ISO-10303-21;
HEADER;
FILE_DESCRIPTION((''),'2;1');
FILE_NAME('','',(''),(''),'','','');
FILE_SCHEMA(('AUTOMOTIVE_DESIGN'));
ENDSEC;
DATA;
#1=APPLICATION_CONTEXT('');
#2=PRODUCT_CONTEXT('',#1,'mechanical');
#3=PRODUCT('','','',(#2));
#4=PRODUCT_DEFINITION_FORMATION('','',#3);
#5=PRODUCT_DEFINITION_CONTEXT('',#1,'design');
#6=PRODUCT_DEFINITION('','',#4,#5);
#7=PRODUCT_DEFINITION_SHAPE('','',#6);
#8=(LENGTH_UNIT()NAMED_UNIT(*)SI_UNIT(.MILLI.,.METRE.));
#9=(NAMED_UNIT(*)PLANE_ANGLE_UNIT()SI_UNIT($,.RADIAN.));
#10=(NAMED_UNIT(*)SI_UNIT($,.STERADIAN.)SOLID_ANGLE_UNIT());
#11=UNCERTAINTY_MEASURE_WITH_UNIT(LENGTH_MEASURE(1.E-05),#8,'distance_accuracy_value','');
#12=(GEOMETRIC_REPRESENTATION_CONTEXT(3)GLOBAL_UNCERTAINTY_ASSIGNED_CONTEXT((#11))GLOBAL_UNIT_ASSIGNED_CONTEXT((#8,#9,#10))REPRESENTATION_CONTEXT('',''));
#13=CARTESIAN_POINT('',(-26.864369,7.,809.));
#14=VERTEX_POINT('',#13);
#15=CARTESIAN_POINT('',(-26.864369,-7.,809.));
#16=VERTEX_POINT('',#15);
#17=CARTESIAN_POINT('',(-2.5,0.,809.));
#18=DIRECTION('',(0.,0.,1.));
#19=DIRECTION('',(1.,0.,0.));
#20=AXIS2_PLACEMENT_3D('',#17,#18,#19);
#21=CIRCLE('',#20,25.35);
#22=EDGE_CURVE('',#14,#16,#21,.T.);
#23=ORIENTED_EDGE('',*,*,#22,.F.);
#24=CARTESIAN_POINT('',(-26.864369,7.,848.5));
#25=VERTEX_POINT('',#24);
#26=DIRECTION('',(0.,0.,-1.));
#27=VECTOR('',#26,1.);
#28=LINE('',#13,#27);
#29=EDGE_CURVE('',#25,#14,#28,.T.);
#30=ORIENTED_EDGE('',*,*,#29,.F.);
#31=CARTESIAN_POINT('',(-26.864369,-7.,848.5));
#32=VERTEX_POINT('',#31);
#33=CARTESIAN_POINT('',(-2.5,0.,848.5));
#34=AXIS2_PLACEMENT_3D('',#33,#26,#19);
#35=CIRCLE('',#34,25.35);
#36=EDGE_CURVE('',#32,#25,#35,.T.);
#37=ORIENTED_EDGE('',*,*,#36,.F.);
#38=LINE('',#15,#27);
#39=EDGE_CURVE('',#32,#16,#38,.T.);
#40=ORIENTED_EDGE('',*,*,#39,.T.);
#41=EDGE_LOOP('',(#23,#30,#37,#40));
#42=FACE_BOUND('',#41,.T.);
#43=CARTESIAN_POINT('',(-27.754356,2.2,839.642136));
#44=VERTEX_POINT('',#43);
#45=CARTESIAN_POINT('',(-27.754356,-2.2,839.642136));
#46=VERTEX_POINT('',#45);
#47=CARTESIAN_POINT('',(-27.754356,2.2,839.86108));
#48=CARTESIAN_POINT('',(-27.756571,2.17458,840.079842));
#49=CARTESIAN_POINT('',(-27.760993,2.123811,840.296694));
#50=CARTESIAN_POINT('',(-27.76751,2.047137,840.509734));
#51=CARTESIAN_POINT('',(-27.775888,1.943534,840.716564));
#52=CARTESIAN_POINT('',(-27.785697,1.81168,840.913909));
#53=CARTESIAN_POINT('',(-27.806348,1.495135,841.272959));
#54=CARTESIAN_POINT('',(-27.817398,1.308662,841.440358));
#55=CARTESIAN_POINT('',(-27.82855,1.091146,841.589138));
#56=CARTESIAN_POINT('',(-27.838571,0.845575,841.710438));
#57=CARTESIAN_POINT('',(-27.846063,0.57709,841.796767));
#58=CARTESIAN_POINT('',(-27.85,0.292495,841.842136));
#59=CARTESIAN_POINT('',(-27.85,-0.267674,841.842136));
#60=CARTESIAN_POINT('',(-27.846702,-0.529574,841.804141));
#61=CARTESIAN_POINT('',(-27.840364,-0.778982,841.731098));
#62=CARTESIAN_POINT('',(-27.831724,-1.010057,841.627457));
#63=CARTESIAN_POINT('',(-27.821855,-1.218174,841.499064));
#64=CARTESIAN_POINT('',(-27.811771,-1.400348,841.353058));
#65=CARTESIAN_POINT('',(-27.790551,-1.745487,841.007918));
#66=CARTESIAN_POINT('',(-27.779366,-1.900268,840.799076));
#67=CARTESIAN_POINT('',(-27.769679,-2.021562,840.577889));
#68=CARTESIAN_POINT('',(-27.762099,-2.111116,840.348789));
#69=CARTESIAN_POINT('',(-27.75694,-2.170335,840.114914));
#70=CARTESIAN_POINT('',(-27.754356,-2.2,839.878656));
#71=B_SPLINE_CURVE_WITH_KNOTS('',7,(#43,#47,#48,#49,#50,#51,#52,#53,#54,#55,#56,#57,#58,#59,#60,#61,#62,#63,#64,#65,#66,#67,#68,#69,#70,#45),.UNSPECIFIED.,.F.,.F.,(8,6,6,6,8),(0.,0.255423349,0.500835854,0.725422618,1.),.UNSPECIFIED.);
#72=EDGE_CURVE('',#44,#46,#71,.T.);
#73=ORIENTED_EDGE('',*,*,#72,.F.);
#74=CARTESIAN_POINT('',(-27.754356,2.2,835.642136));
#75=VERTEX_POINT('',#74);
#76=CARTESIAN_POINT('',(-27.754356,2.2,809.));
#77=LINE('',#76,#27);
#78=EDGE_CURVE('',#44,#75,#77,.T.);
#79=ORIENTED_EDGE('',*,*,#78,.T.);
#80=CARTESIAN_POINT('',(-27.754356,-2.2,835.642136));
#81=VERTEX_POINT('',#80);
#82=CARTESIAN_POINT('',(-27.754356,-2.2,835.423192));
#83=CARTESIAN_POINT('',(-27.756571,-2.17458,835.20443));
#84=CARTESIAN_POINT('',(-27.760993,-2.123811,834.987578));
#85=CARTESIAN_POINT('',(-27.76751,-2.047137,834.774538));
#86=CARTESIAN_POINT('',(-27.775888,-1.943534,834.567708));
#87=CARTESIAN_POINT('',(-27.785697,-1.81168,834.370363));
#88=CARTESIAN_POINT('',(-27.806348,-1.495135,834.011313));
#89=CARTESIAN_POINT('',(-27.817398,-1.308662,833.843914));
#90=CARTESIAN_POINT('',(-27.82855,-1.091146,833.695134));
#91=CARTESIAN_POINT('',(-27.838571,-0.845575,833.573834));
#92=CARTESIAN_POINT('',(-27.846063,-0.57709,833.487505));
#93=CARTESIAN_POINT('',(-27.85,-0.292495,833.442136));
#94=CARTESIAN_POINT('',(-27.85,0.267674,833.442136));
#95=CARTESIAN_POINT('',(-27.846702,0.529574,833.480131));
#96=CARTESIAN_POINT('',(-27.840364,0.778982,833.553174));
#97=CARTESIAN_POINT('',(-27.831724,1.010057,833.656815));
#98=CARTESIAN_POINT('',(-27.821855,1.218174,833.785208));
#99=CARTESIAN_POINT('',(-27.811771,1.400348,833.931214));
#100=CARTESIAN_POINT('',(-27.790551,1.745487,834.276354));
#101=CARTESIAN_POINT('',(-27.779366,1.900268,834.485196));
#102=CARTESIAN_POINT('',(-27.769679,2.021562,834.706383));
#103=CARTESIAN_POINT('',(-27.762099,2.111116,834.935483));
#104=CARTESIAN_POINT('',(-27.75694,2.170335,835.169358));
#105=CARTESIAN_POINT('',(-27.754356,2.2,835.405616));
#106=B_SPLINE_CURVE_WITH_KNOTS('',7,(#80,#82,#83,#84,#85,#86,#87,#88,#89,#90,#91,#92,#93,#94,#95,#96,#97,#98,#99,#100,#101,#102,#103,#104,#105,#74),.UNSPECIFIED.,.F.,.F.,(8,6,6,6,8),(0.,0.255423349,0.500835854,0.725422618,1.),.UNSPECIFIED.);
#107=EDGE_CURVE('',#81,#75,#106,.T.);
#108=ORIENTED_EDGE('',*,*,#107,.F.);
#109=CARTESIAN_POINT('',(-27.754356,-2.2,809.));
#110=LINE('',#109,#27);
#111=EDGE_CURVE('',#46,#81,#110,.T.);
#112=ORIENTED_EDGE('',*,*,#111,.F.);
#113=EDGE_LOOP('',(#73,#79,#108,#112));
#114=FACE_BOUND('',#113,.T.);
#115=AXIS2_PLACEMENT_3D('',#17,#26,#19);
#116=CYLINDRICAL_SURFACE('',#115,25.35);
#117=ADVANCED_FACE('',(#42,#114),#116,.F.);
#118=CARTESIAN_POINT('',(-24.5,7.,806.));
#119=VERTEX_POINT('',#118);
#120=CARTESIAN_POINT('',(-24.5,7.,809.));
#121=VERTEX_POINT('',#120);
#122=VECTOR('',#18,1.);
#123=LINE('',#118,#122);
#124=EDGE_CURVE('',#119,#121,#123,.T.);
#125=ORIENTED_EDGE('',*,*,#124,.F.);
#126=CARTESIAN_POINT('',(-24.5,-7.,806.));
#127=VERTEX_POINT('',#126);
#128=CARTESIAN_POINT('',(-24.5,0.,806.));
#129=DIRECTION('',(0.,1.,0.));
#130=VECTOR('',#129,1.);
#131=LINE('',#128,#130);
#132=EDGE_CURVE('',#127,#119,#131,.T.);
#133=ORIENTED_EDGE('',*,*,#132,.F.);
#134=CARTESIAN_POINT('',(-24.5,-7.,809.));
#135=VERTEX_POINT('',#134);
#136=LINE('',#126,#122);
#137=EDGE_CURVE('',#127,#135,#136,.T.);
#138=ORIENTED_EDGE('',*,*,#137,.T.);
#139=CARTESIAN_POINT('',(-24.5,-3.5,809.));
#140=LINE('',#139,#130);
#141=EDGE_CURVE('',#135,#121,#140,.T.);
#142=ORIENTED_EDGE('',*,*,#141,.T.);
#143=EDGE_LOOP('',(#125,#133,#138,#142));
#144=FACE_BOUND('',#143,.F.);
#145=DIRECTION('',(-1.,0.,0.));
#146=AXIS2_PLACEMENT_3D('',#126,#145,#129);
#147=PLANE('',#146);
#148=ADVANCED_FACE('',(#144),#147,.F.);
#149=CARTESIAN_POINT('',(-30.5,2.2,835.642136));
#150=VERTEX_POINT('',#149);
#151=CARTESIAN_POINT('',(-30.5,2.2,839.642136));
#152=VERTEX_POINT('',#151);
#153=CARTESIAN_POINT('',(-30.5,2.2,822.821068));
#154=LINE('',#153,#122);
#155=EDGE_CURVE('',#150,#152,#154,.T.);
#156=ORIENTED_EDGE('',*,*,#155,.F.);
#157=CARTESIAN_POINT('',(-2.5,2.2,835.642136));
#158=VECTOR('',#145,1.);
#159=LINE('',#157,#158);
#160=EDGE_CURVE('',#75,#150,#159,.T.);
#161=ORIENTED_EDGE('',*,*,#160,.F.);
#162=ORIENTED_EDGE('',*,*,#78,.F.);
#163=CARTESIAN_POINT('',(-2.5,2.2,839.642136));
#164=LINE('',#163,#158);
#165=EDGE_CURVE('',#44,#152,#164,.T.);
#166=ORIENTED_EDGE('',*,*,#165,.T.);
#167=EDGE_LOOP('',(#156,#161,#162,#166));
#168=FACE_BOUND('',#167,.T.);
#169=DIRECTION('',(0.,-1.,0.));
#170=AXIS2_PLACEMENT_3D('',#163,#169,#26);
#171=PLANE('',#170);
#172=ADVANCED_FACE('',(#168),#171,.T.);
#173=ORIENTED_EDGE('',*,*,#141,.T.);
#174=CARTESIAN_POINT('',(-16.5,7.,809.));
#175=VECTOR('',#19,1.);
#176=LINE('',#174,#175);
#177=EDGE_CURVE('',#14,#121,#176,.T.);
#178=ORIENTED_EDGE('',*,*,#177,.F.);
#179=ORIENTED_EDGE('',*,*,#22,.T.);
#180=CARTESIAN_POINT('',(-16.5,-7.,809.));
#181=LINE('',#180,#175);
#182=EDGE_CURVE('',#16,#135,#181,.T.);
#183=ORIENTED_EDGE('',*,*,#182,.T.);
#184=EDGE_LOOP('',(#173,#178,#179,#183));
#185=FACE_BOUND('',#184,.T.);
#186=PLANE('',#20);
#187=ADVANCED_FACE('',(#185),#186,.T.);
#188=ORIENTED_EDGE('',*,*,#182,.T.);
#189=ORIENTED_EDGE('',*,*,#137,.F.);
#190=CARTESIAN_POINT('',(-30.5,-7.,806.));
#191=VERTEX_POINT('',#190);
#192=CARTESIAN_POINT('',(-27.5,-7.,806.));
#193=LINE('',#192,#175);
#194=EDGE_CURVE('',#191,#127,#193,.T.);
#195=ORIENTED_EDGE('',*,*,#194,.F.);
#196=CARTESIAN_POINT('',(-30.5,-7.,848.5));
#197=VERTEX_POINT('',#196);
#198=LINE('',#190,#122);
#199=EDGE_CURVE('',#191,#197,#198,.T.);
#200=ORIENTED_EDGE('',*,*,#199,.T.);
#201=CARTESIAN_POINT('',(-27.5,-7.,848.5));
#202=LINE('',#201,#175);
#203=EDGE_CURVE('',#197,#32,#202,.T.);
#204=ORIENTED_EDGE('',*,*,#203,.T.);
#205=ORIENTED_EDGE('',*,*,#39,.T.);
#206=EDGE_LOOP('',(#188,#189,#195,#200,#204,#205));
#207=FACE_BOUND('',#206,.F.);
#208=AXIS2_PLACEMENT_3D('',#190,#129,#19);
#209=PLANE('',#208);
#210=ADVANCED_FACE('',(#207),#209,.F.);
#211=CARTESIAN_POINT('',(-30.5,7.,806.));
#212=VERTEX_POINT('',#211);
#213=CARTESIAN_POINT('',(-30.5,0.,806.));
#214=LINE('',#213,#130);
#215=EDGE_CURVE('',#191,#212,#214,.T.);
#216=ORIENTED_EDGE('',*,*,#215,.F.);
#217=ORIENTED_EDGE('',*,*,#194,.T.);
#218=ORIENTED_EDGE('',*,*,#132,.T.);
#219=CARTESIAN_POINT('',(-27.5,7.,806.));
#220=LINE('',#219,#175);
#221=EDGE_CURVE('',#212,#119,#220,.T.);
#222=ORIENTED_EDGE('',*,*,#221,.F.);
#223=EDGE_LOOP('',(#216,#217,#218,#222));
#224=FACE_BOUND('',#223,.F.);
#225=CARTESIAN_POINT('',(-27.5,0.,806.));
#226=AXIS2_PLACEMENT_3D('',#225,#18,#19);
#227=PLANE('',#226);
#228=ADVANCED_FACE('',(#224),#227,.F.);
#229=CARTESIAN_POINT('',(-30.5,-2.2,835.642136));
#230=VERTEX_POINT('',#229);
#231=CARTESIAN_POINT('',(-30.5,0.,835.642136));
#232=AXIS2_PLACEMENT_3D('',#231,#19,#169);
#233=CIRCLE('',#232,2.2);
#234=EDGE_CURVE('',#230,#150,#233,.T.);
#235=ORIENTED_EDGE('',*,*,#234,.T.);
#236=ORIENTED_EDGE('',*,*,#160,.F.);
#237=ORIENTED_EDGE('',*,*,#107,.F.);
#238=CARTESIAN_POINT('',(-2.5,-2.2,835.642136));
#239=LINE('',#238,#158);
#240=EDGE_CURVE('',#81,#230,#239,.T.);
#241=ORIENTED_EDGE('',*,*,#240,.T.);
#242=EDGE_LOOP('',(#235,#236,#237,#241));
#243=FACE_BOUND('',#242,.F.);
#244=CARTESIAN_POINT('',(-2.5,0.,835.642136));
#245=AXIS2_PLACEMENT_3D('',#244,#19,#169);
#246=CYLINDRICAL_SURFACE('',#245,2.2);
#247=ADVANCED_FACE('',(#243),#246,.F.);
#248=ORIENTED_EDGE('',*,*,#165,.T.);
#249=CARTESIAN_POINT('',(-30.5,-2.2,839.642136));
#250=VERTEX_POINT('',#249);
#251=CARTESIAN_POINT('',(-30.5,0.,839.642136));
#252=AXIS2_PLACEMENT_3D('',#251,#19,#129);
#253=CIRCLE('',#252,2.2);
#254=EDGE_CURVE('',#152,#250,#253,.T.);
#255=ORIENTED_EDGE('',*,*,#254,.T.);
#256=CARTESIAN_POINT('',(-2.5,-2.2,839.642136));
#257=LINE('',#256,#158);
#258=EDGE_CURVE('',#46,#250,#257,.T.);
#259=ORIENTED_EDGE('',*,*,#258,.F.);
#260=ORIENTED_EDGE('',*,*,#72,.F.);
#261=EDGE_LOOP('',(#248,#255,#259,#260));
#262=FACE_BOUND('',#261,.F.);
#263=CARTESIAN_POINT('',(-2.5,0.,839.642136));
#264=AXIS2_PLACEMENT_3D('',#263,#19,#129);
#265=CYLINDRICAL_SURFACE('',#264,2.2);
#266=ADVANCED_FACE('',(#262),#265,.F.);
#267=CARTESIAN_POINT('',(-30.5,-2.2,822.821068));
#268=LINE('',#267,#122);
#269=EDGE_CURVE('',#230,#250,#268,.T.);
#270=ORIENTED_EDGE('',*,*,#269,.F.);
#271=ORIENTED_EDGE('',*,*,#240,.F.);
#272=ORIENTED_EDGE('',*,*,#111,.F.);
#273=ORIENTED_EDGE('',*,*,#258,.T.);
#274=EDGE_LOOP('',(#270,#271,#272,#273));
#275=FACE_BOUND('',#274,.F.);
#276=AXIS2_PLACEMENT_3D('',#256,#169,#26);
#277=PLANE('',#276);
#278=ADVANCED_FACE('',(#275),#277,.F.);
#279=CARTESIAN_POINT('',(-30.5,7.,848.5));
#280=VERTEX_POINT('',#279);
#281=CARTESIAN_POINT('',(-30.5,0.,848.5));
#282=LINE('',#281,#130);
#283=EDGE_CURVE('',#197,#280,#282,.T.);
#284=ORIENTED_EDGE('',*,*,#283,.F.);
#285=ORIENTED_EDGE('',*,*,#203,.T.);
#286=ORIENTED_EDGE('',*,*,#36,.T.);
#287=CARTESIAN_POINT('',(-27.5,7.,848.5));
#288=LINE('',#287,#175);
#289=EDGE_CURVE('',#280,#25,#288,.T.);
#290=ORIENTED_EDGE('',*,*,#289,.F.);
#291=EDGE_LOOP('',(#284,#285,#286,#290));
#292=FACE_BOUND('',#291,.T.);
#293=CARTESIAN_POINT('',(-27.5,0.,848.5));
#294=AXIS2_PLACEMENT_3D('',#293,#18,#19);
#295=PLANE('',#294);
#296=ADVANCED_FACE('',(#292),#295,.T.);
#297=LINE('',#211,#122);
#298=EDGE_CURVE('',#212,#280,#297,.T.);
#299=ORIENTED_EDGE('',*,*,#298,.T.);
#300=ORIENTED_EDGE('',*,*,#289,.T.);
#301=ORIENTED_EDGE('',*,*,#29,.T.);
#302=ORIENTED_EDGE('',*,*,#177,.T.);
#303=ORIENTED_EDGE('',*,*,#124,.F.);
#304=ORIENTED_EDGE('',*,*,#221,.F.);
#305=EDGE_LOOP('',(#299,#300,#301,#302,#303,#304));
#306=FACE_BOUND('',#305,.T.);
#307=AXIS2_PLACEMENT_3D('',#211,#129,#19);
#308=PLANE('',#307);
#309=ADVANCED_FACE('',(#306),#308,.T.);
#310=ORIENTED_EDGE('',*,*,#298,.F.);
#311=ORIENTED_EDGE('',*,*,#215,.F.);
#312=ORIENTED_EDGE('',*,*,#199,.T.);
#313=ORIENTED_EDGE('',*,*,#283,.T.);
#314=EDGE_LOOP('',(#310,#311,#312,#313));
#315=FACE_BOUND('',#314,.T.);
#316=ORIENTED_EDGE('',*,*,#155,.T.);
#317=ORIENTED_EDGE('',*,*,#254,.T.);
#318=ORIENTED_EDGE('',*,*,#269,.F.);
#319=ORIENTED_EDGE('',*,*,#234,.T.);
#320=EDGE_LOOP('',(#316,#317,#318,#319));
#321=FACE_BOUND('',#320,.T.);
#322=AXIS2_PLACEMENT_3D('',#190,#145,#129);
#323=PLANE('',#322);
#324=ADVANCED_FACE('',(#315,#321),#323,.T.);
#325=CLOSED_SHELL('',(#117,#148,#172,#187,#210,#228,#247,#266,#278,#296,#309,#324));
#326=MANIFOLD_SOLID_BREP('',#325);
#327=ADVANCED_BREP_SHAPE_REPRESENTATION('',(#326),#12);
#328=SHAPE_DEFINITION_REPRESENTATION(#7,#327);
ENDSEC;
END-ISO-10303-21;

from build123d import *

# Parameters (mm, degrees)
BOX_W             = 6
BOX_H             = 14
BOX_DEPTH         = 42.5
POCKET077_DEPTH   = 28.001
CYLINDER012_R     = 25.35
CYLINDER012_DEPTH = 51.142136


with BuildPart() as part:
    # Box → Box (join)
    with BuildSketch(Plane(origin=(-28, -7, -42.142136), x_dir=(1, 0, 0), z_dir=(0, 0, 1))):
        with Locations((3, 7)):
            Rectangle(BOX_W, BOX_H)
    extrude(amount=BOX_DEPTH)

    # Sketch136 → Pocket077 (cut, through all)
    with BuildSketch(Plane.YZ):
        with BuildLine():
            ThreePointArc((2.2, -8.5), (0, -6.3), (-2.2, -8.5))
            Line((-2.2, -8.5), (-2.2, -12.5))
            ThreePointArc((-2.2, -12.5), (0, -14.7), (2.2, -12.5))
            Line((2.2, -8.5), (2.2, -12.5))
        make_face()
    extrude(amount=-POCKET077_DEPTH, mode=Mode.SUBTRACT)

    # Cylinder012 → Cylinder012 (cut)
    with BuildSketch(Plane.XY.offset(-39.142136)):
        Circle(CYLINDER012_R)
    extrude(amount=CYLINDER012_DEPTH, mode=Mode.SUBTRACT)


with BuildPart() as part_1:
    # Body022028 placement: moved
    add(part.part.moved(Location((-2.5, 0, 848.142136))))


solid = part_1.part
